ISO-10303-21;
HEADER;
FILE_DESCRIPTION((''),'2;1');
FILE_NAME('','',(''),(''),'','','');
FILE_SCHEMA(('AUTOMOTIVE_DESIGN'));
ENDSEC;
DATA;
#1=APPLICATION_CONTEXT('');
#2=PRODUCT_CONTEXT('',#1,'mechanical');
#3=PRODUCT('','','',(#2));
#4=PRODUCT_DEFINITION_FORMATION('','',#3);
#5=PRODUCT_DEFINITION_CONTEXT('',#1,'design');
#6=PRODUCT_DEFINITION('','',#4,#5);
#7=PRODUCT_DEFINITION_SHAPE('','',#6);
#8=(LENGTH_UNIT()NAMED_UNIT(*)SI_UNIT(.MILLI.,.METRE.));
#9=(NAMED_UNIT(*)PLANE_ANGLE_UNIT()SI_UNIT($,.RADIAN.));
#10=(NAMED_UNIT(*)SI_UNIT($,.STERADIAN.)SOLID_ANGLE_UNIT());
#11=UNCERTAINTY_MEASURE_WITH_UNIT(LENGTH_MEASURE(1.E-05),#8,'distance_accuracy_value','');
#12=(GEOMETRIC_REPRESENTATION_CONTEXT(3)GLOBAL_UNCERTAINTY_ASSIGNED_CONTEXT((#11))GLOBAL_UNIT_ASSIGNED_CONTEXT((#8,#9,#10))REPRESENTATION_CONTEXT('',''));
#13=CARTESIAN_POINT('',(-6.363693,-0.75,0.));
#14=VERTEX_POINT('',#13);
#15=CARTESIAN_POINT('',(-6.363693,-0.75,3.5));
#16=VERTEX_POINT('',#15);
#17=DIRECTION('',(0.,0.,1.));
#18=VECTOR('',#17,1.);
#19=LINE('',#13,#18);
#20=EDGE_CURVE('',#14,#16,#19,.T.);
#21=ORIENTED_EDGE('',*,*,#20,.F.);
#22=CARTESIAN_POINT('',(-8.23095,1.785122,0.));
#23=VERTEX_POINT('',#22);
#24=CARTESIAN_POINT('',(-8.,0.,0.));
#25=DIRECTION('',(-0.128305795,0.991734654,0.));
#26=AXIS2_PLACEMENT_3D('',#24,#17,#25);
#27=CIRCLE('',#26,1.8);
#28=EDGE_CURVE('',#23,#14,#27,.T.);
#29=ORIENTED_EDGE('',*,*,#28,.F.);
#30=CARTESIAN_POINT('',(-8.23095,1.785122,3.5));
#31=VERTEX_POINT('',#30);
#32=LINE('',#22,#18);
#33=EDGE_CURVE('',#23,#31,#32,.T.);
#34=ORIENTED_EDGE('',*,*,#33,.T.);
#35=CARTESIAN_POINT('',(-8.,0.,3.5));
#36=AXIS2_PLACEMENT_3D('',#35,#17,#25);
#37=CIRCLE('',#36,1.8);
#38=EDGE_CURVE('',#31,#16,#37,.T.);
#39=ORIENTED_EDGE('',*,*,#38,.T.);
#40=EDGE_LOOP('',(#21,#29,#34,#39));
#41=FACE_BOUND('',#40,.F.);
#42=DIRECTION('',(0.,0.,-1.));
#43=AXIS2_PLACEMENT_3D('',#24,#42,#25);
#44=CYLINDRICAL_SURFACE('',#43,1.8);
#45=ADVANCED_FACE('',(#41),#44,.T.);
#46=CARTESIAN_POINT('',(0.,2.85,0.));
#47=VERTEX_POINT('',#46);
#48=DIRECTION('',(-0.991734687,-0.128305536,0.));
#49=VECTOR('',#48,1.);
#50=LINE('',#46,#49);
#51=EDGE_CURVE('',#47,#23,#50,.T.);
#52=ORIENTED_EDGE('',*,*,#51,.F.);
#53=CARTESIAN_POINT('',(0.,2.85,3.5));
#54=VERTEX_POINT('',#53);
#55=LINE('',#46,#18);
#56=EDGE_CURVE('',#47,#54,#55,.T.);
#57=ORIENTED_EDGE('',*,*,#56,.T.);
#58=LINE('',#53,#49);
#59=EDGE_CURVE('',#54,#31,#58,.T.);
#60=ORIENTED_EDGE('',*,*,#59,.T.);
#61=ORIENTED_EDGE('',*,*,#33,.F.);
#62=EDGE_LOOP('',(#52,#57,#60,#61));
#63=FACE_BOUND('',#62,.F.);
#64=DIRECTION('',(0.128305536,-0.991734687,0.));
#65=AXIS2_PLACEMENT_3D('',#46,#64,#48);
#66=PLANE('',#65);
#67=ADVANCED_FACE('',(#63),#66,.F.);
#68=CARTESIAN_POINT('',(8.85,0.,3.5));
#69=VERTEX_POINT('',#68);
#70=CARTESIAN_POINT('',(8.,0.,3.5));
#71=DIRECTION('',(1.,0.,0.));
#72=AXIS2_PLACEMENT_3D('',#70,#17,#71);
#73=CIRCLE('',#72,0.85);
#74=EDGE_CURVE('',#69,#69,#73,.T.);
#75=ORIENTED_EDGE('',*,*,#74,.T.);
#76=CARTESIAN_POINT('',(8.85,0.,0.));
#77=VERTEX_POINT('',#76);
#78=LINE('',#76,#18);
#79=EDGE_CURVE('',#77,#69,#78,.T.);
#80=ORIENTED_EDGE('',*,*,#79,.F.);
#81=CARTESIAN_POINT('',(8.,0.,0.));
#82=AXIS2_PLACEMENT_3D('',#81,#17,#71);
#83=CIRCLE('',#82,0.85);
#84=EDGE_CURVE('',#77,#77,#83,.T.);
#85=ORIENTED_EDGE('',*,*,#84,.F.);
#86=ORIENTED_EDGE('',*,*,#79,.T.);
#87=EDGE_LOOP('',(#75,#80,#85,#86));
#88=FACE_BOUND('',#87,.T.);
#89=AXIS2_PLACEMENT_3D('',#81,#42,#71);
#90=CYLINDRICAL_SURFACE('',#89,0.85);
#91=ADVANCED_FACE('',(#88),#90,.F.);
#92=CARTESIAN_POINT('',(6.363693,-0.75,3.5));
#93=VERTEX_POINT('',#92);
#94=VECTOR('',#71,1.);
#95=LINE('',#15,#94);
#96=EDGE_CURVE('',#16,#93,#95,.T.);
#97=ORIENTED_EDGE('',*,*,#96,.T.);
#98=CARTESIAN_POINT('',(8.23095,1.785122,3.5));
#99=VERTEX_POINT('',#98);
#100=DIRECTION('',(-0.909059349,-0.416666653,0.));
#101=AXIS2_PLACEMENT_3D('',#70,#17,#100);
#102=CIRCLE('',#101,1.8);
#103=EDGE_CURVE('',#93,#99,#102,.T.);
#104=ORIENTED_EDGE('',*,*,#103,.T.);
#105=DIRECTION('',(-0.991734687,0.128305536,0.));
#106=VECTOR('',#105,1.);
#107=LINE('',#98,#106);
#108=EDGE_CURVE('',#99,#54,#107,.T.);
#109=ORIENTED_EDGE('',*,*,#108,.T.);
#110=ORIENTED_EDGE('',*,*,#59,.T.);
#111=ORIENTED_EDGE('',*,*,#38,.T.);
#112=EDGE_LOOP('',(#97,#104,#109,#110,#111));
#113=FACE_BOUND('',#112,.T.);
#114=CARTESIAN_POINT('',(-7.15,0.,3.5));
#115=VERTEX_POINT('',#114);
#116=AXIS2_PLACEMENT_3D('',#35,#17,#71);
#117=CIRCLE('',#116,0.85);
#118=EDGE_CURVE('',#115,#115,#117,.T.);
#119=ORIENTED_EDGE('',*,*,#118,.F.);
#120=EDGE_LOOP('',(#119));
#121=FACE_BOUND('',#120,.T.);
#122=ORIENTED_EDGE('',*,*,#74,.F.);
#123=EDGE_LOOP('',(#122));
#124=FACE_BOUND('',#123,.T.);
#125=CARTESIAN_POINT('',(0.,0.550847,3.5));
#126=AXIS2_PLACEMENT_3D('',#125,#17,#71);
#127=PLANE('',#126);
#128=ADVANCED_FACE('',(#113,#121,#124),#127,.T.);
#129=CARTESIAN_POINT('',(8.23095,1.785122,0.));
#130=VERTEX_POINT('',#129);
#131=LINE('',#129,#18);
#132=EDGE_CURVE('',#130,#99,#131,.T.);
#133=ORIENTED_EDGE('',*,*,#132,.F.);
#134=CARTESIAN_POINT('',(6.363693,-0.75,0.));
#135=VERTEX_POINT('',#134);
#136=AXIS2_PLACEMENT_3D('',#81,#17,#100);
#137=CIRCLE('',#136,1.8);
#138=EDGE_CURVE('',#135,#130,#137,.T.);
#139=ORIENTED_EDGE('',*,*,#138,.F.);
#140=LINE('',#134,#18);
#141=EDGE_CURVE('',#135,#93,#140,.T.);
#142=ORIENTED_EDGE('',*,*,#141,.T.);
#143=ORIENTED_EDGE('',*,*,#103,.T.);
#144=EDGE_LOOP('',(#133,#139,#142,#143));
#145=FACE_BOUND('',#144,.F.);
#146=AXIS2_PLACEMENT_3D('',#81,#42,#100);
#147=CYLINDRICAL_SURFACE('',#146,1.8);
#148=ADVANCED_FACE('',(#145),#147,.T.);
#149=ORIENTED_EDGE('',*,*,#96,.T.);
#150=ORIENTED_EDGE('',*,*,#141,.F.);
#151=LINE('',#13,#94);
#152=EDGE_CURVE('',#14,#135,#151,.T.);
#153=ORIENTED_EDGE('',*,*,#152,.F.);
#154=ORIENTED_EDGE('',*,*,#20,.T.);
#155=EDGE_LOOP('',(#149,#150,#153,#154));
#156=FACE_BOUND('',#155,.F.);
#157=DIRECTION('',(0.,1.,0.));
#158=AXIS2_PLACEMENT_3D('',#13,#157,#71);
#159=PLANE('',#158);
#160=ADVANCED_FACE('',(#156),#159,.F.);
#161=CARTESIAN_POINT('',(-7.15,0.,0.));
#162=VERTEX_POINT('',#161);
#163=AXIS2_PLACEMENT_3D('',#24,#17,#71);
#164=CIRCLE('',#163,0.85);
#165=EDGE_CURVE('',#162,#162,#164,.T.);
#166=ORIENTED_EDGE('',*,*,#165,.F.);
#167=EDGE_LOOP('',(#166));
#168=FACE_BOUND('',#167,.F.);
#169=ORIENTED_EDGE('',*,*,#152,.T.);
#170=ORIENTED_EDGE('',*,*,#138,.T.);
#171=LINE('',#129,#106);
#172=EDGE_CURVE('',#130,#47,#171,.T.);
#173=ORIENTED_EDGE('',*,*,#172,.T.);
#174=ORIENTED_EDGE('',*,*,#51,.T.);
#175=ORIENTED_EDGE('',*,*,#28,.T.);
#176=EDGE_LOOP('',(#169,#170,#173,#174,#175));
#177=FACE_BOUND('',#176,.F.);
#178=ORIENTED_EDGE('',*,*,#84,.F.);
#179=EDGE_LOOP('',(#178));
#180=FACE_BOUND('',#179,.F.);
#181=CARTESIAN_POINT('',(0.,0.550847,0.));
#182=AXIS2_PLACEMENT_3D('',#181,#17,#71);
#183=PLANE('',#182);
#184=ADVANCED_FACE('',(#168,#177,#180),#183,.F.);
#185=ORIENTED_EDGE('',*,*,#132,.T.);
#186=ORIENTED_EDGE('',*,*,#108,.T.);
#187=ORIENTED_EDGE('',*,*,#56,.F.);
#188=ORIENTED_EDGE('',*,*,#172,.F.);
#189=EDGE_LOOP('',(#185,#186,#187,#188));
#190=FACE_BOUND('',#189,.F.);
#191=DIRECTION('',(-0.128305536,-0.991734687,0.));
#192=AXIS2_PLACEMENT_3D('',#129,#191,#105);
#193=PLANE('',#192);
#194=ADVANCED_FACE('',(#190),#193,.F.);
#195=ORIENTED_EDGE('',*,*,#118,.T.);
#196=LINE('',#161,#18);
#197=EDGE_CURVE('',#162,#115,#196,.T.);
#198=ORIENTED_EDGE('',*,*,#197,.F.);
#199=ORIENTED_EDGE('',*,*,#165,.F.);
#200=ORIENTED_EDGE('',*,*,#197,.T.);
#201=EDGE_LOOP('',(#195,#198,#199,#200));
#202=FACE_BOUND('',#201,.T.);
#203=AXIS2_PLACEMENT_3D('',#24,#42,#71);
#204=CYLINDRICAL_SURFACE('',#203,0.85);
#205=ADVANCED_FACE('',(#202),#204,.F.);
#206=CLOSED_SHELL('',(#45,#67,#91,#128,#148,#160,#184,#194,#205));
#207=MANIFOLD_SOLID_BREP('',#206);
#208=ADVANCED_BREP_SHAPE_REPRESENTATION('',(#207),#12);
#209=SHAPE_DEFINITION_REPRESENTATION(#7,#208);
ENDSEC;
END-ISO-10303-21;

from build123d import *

# Parameters (mm, degrees)
F0_R     = 0.85
F1_DEPTH = 3.5


with BuildPart() as f1:
    # F0 (on Top) → F1 (new body)
    with BuildSketch(Plane.XY):
        with BuildLine():
            Line((-6.363693, -0.75), (6.363693, -0.75))
            ThreePointArc((6.363693, -0.75), (9.449299, -1.067488), (8.23095, 1.785122))
            Line((8.23095, 1.785122), (0, 2.85))
            Line((0, 2.85), (-8.23095, 1.785122))
            ThreePointArc((-8.23095, 1.785122), (-9.449299, -1.067488), (-6.363693, -0.75))
        make_face()
        with Locations((-8, 0)):
            Circle(F0_R, mode=Mode.SUBTRACT)
        with Locations((8, 0)):
            Circle(F0_R, mode=Mode.SUBTRACT)
    extrude(amount=F1_DEPTH)


solid = f1.part
